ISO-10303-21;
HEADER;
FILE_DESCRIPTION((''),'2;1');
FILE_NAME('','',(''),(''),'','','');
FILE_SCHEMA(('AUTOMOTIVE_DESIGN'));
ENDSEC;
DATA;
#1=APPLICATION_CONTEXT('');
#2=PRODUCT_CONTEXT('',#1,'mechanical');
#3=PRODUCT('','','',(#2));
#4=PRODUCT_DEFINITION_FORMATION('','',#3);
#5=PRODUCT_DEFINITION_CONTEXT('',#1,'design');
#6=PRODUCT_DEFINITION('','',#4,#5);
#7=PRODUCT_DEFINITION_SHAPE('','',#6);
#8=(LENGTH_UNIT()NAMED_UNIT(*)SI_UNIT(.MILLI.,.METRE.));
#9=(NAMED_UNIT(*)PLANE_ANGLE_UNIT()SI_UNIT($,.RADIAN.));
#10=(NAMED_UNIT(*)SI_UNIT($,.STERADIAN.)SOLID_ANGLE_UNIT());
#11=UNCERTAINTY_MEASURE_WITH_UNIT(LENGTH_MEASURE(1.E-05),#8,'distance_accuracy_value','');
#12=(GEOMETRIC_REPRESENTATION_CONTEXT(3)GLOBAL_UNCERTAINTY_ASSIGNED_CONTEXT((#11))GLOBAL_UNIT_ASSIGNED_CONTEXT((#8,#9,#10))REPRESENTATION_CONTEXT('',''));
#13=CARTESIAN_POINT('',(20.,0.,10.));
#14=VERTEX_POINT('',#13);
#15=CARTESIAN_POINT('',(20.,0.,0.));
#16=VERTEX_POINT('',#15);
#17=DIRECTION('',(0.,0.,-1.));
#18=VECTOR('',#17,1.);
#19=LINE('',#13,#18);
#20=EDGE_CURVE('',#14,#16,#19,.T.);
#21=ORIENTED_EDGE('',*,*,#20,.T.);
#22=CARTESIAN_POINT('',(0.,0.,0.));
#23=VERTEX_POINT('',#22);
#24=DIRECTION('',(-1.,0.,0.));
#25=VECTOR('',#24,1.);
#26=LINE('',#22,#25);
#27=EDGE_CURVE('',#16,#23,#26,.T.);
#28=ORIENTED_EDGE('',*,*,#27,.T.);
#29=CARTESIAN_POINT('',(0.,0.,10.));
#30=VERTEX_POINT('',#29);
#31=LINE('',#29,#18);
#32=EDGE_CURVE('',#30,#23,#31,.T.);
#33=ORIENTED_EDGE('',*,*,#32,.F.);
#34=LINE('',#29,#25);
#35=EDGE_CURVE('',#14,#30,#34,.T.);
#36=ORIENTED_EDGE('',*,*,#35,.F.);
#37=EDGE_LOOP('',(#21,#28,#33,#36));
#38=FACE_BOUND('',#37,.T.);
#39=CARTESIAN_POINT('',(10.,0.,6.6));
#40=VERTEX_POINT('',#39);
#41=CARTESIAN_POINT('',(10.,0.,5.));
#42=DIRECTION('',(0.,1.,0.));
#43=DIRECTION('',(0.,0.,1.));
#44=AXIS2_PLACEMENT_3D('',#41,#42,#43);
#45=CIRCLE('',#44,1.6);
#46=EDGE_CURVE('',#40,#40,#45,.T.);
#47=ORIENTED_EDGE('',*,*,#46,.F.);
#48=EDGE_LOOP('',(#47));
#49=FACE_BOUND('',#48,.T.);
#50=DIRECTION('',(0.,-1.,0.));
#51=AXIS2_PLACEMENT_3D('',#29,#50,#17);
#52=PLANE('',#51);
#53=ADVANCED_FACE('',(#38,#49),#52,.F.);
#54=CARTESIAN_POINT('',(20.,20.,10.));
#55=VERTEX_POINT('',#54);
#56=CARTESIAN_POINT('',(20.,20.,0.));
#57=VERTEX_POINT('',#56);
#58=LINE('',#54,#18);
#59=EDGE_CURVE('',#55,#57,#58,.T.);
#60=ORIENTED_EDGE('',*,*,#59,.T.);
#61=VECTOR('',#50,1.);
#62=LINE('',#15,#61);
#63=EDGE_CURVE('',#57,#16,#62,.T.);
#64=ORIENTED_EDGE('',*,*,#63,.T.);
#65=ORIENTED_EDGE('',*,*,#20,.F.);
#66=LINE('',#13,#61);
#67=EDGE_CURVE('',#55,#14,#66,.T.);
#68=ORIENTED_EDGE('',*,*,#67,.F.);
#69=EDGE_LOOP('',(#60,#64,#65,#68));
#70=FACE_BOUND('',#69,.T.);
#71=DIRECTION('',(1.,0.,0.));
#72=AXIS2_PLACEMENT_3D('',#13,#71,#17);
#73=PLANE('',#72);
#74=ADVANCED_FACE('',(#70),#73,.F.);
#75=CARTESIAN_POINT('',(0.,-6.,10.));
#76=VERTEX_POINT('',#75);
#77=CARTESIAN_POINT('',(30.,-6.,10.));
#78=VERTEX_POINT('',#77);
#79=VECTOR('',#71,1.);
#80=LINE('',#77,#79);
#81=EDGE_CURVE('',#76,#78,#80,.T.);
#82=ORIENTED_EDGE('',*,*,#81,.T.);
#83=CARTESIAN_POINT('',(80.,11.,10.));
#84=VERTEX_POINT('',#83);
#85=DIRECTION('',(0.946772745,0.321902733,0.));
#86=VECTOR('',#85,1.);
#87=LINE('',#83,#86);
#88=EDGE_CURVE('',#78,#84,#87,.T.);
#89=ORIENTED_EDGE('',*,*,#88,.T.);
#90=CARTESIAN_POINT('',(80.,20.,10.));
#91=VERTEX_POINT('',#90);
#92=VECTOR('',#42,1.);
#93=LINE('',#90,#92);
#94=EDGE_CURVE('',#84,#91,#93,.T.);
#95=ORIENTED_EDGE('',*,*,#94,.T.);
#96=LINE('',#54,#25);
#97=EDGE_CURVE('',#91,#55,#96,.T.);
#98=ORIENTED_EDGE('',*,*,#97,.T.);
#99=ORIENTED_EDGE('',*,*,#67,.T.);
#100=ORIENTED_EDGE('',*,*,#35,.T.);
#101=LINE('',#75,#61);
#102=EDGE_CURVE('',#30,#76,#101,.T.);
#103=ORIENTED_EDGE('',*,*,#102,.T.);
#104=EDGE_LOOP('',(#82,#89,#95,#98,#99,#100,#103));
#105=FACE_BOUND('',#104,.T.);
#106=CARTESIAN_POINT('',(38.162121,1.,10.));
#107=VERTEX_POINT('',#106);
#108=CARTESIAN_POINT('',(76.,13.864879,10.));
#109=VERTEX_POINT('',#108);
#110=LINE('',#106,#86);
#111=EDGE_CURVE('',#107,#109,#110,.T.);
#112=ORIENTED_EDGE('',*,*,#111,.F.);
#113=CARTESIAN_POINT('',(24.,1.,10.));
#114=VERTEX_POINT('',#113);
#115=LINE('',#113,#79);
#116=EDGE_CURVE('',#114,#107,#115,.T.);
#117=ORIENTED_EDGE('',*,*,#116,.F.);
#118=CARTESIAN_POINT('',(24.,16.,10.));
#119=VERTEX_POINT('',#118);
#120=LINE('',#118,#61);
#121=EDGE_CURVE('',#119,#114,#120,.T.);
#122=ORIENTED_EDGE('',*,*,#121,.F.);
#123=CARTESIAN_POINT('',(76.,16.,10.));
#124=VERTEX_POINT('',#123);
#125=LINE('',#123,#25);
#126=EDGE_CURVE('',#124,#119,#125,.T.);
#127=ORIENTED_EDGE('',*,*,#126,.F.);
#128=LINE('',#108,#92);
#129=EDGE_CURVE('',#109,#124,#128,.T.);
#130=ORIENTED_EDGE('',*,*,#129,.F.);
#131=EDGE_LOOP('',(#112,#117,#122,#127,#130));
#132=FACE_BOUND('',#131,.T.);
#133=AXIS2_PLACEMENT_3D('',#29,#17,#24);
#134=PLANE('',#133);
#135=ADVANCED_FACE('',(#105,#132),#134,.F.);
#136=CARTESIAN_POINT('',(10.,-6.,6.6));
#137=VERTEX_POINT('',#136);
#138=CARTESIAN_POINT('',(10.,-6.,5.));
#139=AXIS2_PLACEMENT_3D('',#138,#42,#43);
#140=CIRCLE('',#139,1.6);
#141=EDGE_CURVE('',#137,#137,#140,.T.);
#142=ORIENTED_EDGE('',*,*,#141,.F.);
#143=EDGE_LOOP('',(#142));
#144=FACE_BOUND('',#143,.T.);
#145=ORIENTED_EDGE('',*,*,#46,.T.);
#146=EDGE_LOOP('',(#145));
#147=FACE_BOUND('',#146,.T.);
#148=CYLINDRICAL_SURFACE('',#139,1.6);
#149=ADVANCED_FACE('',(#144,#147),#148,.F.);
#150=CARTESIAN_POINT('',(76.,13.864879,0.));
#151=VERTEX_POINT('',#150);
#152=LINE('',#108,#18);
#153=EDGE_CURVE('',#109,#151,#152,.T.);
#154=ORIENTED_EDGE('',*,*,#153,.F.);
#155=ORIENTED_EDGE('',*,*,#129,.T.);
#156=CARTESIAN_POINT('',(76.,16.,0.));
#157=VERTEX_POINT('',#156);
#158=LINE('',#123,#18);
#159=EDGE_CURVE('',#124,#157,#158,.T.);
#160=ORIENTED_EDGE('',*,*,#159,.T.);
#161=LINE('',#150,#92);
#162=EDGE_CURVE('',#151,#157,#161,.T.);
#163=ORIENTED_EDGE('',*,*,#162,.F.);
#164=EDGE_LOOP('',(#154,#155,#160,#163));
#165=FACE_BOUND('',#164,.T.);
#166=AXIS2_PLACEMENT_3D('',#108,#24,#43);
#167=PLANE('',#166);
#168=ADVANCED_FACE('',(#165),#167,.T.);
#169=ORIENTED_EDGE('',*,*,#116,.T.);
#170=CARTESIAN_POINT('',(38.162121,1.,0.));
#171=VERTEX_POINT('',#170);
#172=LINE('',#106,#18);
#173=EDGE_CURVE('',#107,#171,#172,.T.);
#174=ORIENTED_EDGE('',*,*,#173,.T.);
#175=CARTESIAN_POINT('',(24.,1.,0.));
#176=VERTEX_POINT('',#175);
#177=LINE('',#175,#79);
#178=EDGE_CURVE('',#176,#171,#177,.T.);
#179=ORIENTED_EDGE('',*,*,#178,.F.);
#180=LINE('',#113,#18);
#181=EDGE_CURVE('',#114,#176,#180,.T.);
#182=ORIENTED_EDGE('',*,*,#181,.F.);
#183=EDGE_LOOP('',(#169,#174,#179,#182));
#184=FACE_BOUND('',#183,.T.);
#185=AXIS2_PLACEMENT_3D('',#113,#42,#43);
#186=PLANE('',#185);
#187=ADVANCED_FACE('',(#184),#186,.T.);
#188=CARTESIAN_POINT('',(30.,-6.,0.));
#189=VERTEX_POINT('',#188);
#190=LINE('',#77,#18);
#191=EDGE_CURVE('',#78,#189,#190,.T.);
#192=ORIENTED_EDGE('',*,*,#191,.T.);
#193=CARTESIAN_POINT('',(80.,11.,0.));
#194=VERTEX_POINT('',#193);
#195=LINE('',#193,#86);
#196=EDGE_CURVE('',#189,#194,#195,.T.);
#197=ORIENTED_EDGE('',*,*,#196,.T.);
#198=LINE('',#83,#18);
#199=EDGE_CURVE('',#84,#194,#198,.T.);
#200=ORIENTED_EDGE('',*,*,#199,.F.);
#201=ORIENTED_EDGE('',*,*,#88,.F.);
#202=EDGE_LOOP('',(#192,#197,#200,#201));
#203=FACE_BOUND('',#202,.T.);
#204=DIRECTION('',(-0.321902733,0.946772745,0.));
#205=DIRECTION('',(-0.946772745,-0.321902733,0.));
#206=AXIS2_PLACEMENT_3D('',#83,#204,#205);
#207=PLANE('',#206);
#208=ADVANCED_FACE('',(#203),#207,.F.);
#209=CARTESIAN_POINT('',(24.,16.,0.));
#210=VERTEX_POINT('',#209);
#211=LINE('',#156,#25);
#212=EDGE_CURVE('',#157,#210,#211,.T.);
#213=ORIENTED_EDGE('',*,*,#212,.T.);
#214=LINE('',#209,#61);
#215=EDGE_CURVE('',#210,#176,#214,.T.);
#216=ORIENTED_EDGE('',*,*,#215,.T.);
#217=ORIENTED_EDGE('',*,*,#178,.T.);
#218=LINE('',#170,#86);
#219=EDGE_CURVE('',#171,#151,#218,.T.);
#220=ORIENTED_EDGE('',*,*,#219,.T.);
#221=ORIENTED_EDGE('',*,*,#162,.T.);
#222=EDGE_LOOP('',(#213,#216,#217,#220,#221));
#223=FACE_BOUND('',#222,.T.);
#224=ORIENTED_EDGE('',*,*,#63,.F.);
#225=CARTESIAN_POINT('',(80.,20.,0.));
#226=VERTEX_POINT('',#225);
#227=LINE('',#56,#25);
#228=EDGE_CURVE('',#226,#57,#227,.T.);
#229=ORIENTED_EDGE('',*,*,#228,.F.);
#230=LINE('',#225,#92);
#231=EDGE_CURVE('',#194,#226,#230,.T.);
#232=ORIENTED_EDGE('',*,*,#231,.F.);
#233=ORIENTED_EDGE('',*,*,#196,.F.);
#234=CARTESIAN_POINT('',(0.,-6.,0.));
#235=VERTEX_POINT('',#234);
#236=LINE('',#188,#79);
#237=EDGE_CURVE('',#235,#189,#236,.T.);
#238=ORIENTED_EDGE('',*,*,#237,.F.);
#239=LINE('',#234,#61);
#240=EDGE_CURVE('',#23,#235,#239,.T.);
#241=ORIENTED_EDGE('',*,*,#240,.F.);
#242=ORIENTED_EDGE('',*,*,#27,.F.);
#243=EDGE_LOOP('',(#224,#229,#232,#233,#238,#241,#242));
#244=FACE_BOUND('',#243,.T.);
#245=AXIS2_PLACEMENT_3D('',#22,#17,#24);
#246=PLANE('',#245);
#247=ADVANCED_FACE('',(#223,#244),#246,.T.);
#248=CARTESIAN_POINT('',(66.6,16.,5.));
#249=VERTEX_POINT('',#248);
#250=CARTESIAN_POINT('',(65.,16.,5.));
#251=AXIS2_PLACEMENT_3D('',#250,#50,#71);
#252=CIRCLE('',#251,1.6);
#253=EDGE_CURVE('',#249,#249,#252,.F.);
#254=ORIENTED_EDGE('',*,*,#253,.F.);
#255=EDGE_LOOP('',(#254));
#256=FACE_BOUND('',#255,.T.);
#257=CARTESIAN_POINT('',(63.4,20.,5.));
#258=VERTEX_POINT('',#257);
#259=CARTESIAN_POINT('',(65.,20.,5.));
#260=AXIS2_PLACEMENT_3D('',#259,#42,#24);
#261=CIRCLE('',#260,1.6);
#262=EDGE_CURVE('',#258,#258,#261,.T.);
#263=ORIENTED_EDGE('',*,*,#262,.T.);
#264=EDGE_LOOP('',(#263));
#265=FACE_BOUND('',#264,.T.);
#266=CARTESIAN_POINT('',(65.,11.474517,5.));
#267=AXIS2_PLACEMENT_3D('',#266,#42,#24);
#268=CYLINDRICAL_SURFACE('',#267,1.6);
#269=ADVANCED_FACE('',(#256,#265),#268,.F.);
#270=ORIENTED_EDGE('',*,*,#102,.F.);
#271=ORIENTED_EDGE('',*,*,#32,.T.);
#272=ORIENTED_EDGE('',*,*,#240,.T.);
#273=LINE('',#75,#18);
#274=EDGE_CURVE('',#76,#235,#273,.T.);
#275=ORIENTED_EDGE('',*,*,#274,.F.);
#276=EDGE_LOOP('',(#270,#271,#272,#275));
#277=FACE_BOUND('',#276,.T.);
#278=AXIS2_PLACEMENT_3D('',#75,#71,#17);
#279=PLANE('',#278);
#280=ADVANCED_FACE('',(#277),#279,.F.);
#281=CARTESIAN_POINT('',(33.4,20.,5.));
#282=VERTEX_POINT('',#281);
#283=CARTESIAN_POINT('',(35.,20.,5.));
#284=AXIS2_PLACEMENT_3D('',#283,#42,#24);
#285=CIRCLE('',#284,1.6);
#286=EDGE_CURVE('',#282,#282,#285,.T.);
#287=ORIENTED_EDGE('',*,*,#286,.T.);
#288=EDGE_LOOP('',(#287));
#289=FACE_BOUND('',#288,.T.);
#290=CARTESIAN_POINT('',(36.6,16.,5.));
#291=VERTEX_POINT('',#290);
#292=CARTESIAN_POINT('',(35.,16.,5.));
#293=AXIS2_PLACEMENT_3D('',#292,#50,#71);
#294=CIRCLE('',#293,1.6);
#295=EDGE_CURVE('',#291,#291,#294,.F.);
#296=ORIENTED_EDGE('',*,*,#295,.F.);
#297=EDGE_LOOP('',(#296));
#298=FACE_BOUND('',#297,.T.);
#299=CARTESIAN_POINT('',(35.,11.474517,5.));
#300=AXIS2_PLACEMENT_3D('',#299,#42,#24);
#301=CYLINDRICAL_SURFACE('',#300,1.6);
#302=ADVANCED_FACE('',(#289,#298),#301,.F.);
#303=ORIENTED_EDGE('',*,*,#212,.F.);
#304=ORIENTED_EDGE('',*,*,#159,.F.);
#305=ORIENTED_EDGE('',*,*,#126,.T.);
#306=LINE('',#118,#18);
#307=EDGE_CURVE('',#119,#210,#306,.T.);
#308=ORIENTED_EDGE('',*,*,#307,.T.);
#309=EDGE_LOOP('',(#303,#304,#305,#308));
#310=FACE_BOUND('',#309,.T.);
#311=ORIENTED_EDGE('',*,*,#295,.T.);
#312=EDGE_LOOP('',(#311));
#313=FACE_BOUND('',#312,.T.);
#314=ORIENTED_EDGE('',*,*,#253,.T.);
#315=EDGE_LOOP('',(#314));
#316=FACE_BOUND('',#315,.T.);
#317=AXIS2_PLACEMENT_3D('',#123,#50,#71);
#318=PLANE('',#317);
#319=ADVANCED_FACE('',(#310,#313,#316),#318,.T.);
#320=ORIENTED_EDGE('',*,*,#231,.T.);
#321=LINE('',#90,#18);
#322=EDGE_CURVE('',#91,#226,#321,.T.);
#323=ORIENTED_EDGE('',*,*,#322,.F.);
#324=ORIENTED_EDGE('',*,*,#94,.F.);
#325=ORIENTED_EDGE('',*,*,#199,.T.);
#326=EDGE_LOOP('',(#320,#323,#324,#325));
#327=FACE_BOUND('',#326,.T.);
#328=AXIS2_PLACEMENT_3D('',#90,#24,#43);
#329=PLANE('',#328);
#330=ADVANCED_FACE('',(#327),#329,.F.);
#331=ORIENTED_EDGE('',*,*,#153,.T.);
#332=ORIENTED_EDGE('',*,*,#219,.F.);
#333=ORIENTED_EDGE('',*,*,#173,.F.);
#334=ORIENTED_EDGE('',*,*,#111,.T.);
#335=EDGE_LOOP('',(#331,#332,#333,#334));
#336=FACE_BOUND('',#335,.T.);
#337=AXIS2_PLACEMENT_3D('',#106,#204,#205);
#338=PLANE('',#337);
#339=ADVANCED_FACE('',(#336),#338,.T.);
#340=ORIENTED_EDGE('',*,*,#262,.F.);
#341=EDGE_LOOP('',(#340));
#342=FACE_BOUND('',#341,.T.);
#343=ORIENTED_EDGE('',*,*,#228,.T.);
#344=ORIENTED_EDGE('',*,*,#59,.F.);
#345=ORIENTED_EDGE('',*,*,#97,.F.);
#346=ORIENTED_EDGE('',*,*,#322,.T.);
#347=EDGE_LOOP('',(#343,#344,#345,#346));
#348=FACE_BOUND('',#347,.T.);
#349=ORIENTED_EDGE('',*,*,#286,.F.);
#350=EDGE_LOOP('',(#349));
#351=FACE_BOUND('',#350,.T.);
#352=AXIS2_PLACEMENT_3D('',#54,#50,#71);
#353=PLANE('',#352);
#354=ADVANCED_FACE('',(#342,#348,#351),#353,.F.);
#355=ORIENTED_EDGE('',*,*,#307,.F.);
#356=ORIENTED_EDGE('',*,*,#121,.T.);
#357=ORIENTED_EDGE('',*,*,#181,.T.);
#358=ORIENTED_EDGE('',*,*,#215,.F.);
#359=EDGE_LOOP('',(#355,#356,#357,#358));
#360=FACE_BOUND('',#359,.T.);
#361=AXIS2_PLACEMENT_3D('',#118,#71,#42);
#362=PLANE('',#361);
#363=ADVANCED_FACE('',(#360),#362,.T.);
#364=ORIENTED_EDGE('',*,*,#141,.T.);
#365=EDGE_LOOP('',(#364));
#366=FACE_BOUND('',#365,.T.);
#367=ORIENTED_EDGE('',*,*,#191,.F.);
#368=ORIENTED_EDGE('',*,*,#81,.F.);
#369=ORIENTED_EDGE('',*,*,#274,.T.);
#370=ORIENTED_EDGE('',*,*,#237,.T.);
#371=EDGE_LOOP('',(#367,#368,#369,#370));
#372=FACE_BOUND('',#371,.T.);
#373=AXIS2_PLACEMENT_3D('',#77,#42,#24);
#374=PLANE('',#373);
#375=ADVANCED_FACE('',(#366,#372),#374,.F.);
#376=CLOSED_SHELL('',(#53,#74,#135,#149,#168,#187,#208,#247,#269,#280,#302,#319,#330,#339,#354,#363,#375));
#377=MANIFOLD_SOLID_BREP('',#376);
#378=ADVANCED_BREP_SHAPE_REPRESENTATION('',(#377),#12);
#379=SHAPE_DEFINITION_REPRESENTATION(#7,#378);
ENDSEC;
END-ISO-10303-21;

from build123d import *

# Parameters (mm, degrees)
EXTRUDE_1_DEPTH     = 10
SKETCH_2_R          = 1.6
CUT_EXTRUDE_1_DEPTH = 84.066238629
SKETCH_3_R          = 1.6
CUT_EXTRUDE_2_DEPTH = 4


with BuildPart() as part:
    # 草图1 → 凸台-拉伸1 (new body)
    with BuildSketch(Plane.XY):
        Polygon((0, 0), (20, 0), (20, 20), (80, 20), (80, 11), (30, -6), (0, -6), align=None)
        Polygon((24, 16), (24, 1), (38.162121481, 1), (76, 13.864878696), (76, 16), align=None, mode=Mode.SUBTRACT)
    extrude(amount=EXTRUDE_1_DEPTH)

    # 草图2 → 切除-拉伸1 (cut, through all)
    with BuildSketch(Plane(origin=(0, 0, 0), x_dir=(1, 0, 0), z_dir=(0, 1, 0))):
        with Locations(Location((10, -5, 0), (0, 0, 270))):
            Circle(SKETCH_2_R)
    extrude(amount=-CUT_EXTRUDE_1_DEPTH, mode=Mode.SUBTRACT)

    # 草图3 → 切除-拉伸2 (cut)
    with BuildSketch(Plane(origin=(0, 20, 0), x_dir=(1, 0, 0), z_dir=(0, 1, 0))):
        with Locations(Location((65, -5, 0), (0, 0, 180))):
            Circle(SKETCH_3_R)
        with Locations(Location((35, -5, 0), (0, 0, 180))):
            Circle(SKETCH_3_R)
    extrude(amount=-CUT_EXTRUDE_2_DEPTH, mode=Mode.SUBTRACT)


solid = part.part
